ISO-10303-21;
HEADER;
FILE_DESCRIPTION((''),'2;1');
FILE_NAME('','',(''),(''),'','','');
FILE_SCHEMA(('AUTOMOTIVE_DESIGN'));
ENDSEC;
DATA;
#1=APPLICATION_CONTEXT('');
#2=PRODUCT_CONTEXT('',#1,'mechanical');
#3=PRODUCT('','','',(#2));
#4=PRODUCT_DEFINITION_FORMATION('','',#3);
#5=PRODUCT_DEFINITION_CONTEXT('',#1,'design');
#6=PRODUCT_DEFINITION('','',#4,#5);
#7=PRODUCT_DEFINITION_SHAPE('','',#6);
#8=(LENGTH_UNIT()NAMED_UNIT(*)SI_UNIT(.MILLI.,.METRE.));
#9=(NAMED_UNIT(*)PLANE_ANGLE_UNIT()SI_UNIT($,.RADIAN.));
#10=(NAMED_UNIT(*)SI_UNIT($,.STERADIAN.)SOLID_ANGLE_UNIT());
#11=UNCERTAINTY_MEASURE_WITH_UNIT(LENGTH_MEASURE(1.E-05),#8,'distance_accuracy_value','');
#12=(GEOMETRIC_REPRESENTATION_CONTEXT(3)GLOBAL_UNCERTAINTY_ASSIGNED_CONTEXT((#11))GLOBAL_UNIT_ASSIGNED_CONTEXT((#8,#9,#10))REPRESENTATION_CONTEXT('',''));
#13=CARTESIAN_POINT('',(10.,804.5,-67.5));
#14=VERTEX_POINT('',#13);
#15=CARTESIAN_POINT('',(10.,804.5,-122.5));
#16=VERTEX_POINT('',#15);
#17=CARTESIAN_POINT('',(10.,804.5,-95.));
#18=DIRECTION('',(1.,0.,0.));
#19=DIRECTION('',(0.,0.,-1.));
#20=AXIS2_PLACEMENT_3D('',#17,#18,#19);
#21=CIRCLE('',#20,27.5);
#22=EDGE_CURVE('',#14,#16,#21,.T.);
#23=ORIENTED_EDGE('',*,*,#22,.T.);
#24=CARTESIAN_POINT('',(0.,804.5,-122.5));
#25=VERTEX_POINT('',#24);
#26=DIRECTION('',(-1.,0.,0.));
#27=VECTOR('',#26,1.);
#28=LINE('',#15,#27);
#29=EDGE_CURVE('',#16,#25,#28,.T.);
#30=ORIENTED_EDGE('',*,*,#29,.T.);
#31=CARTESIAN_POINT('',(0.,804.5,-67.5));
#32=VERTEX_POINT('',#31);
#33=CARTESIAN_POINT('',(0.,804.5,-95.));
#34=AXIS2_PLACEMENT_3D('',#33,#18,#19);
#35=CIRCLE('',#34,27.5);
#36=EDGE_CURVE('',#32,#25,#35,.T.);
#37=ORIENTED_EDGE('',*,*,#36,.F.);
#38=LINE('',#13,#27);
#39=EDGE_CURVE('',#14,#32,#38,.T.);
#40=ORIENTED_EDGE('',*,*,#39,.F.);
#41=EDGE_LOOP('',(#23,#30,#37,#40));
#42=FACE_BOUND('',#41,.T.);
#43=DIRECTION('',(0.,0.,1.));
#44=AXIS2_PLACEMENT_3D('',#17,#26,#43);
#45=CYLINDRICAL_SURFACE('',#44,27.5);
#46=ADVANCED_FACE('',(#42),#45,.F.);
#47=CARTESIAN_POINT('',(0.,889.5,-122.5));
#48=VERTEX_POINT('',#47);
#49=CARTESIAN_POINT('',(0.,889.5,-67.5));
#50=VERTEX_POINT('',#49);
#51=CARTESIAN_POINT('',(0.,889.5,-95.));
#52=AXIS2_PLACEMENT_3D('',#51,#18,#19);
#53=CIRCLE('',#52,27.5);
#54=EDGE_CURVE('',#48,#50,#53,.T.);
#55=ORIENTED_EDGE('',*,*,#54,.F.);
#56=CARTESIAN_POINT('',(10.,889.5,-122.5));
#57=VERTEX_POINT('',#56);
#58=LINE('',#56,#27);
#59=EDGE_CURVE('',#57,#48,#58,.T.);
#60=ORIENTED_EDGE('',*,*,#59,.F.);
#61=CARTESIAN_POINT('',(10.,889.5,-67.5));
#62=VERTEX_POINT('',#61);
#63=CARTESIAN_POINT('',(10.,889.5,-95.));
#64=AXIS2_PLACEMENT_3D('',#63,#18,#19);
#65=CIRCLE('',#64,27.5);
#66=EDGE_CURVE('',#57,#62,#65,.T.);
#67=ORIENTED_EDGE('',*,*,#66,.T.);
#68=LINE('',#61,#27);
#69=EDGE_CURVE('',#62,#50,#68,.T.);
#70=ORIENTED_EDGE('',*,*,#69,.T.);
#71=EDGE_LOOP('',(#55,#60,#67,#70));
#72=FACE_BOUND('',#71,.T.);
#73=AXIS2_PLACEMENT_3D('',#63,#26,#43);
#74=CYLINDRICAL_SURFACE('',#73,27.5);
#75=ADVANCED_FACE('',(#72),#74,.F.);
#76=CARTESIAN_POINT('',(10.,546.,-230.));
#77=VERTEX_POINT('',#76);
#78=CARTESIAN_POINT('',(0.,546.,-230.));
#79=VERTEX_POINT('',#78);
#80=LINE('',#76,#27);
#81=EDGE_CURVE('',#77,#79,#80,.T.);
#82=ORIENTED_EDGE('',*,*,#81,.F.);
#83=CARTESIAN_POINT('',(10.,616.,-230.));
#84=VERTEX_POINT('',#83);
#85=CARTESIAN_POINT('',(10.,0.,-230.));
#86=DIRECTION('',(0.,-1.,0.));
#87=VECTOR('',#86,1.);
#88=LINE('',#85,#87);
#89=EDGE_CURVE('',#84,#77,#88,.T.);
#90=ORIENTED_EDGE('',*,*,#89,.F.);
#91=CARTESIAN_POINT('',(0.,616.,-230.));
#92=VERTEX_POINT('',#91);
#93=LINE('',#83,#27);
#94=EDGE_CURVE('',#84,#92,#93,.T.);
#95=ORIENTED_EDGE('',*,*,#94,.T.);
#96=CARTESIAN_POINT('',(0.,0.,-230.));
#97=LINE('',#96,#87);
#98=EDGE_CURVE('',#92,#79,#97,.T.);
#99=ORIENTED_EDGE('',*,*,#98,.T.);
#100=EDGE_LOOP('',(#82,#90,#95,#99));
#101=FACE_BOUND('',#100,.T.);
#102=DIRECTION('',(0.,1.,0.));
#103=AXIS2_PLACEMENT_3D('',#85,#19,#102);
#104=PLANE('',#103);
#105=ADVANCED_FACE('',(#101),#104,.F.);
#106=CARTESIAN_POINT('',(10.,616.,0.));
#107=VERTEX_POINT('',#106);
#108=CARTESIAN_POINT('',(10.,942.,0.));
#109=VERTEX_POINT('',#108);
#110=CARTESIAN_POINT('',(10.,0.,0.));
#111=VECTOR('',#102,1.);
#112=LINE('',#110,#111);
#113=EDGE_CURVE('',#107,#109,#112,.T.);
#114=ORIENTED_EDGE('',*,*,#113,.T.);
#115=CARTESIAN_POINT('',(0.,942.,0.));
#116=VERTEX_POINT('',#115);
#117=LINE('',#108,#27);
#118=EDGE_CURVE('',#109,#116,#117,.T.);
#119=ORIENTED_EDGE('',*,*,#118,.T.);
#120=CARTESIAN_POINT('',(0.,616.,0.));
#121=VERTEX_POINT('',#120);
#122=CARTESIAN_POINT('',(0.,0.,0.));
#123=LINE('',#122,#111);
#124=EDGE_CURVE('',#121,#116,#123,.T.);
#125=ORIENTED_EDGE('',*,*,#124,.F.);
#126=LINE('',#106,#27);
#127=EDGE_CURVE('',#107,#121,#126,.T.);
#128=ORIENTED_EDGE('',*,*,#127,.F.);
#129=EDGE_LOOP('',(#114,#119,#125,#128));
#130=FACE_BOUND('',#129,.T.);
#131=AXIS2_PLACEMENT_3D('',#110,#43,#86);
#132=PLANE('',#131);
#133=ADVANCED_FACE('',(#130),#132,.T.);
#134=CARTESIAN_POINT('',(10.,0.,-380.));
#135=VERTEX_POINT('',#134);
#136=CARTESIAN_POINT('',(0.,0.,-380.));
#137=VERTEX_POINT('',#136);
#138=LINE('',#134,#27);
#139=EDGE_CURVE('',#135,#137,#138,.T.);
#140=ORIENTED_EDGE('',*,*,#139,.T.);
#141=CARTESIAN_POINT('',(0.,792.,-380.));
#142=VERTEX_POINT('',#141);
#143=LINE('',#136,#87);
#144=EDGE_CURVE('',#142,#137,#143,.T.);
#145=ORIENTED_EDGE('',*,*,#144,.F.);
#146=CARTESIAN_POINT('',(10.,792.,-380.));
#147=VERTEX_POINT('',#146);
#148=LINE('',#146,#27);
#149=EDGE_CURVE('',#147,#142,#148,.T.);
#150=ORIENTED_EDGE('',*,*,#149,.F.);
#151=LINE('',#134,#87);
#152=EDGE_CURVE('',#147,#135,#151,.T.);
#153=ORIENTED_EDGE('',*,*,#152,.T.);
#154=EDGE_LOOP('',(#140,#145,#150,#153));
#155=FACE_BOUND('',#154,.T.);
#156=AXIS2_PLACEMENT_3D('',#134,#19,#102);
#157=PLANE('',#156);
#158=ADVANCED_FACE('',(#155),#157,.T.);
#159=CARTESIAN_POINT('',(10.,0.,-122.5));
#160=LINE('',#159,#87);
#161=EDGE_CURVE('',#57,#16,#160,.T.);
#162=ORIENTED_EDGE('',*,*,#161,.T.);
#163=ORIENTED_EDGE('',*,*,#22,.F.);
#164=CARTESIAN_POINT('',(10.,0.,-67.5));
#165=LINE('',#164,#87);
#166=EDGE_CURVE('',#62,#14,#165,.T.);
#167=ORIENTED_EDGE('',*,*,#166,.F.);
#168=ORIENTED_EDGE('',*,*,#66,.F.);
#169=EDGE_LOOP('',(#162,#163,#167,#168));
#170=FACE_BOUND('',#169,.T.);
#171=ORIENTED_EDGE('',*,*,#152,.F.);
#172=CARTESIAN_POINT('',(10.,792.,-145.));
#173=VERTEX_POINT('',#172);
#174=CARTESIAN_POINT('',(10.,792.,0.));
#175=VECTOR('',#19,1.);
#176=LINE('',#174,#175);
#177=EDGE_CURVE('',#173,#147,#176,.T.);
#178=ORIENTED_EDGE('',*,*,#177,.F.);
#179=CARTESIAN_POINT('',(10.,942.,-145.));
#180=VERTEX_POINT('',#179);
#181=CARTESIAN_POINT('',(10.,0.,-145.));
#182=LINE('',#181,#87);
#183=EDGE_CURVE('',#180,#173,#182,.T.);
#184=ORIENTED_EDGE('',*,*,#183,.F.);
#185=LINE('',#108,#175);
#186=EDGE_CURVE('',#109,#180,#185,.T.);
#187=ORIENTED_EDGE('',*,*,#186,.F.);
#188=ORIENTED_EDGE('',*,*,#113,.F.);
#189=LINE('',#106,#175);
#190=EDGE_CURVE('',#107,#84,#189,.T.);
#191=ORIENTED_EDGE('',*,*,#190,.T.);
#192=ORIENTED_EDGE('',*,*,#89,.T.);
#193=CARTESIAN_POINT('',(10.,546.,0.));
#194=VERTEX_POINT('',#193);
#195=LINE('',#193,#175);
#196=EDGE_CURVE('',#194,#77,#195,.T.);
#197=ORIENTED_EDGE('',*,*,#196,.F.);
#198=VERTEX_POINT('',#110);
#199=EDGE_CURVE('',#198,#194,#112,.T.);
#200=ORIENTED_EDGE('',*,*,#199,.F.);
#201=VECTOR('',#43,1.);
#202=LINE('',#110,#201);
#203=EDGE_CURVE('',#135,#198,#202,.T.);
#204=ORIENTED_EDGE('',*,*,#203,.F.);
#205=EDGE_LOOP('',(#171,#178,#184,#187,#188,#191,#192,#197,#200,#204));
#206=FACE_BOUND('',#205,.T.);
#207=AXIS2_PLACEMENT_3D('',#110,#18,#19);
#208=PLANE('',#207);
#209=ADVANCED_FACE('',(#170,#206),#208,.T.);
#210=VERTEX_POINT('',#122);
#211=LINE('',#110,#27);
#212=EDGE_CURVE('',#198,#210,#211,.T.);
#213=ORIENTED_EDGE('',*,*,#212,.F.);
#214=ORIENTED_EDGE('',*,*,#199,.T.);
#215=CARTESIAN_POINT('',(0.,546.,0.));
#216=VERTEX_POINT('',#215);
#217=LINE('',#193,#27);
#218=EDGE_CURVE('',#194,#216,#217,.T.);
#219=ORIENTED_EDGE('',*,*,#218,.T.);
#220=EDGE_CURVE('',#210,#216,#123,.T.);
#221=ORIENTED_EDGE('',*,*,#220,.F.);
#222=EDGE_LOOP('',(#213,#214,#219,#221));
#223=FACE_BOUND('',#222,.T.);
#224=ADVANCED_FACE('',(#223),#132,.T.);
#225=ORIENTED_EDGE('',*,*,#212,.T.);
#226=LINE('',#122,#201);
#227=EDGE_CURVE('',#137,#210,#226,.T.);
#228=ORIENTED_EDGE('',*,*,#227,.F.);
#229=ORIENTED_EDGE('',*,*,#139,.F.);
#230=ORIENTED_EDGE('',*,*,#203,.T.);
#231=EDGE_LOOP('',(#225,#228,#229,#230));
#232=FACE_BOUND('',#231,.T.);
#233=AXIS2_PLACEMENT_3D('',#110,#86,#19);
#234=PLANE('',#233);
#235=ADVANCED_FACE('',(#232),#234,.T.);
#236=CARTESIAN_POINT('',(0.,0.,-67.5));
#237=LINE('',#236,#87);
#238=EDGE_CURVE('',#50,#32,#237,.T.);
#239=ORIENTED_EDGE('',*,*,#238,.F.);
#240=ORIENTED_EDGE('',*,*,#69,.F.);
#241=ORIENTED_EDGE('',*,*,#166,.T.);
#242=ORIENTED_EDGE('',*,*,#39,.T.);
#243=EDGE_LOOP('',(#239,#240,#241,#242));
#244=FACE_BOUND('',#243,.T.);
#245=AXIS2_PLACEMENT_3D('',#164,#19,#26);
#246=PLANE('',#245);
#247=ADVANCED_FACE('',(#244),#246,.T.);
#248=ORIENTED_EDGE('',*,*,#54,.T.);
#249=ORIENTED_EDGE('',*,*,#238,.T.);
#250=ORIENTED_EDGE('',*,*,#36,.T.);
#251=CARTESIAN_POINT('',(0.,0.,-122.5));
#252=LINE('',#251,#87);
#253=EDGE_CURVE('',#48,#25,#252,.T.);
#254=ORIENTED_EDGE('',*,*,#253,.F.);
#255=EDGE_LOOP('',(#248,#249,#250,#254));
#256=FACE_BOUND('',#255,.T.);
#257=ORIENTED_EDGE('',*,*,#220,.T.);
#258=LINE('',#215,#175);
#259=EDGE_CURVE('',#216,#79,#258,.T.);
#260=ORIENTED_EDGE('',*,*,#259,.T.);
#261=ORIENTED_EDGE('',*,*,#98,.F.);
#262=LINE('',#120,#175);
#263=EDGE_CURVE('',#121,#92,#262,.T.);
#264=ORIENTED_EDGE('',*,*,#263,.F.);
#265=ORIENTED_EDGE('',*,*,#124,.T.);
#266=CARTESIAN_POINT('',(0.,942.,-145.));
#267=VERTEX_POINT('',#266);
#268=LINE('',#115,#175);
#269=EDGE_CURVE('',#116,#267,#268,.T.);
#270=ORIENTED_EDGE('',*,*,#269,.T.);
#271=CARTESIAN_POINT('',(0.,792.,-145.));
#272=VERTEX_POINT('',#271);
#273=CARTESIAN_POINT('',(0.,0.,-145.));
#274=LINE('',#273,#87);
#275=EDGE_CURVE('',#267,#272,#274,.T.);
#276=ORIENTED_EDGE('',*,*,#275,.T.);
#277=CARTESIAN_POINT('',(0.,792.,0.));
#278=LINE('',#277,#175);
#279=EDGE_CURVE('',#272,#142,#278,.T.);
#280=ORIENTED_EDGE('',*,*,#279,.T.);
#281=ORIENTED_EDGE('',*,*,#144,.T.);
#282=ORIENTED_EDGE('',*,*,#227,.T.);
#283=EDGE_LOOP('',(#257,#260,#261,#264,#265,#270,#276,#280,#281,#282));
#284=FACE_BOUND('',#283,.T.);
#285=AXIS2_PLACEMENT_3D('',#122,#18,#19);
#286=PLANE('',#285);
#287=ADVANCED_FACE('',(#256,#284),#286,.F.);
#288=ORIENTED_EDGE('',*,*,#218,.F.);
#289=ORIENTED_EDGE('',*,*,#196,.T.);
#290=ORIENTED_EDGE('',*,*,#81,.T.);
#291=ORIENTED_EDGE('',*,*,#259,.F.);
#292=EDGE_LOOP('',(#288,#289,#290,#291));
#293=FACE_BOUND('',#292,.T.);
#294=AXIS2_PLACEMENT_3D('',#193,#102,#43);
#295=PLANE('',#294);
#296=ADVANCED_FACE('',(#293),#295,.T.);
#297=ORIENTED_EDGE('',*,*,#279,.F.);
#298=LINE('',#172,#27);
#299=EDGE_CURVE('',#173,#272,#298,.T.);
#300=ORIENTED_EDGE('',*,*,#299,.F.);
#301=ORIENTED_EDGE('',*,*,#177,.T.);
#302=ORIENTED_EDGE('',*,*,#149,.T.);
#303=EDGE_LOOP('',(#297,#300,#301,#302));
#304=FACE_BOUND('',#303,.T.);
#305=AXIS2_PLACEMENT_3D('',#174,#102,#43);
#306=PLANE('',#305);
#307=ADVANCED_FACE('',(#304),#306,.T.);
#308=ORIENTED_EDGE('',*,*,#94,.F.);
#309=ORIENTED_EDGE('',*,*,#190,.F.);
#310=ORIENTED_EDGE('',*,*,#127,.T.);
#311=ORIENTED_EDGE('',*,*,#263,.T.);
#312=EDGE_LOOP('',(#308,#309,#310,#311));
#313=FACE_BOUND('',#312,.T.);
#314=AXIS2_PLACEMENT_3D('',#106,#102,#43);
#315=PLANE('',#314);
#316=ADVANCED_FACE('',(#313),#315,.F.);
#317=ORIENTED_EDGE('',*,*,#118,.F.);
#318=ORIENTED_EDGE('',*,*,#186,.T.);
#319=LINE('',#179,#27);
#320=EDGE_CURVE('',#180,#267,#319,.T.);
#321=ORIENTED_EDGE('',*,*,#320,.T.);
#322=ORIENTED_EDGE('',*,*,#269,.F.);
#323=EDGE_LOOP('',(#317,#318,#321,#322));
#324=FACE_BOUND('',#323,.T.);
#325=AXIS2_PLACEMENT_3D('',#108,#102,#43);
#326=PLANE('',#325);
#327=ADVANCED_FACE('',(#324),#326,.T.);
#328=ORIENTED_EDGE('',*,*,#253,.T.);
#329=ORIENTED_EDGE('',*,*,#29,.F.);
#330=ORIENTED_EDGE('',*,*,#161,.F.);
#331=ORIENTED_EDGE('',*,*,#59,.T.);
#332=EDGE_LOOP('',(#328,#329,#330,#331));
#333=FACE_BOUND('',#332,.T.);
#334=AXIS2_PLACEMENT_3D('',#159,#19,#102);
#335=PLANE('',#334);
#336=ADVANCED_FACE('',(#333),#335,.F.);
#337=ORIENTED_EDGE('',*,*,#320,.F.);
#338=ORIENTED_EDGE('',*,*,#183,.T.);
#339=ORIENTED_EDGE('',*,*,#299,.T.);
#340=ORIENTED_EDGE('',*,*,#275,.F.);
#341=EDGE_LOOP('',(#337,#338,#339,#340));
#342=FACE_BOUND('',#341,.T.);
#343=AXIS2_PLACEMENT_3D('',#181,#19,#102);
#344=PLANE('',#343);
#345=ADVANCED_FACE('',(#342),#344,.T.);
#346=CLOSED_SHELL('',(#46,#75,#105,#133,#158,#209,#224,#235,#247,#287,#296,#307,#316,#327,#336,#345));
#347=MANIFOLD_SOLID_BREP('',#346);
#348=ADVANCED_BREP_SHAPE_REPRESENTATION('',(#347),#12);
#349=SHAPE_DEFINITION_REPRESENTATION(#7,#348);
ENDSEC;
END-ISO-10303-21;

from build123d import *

# Parameters (mm, degrees)
BOSS_EXTRUDE1_DEPTH = 10


with BuildPart() as part:
    # Sketch1 → Boss-Extrude1 (new body)
    with BuildSketch(Plane(origin=(0, 0, 0), x_dir=(0, 0, -1), z_dir=(1, 0, 0))):
        Polygon((0, 616), (230, 616), (230, 546), (0, 546), (0, 0), (380, 0), (380, 792), (145, 792), (145, 942), (0, 942), align=None)
        with BuildLine():
            ThreePointArc((67.5, 804.5), (95, 777), (122.5, 804.5))
            Line((122.5, 804.5), (122.5, 889.5))
            ThreePointArc((122.5, 889.5), (95, 917), (67.5, 889.5))
            Line((67.5, 889.5), (67.5, 804.5))
        make_face(mode=Mode.SUBTRACT)
    extrude(amount=BOSS_EXTRUDE1_DEPTH)


solid = part.part
